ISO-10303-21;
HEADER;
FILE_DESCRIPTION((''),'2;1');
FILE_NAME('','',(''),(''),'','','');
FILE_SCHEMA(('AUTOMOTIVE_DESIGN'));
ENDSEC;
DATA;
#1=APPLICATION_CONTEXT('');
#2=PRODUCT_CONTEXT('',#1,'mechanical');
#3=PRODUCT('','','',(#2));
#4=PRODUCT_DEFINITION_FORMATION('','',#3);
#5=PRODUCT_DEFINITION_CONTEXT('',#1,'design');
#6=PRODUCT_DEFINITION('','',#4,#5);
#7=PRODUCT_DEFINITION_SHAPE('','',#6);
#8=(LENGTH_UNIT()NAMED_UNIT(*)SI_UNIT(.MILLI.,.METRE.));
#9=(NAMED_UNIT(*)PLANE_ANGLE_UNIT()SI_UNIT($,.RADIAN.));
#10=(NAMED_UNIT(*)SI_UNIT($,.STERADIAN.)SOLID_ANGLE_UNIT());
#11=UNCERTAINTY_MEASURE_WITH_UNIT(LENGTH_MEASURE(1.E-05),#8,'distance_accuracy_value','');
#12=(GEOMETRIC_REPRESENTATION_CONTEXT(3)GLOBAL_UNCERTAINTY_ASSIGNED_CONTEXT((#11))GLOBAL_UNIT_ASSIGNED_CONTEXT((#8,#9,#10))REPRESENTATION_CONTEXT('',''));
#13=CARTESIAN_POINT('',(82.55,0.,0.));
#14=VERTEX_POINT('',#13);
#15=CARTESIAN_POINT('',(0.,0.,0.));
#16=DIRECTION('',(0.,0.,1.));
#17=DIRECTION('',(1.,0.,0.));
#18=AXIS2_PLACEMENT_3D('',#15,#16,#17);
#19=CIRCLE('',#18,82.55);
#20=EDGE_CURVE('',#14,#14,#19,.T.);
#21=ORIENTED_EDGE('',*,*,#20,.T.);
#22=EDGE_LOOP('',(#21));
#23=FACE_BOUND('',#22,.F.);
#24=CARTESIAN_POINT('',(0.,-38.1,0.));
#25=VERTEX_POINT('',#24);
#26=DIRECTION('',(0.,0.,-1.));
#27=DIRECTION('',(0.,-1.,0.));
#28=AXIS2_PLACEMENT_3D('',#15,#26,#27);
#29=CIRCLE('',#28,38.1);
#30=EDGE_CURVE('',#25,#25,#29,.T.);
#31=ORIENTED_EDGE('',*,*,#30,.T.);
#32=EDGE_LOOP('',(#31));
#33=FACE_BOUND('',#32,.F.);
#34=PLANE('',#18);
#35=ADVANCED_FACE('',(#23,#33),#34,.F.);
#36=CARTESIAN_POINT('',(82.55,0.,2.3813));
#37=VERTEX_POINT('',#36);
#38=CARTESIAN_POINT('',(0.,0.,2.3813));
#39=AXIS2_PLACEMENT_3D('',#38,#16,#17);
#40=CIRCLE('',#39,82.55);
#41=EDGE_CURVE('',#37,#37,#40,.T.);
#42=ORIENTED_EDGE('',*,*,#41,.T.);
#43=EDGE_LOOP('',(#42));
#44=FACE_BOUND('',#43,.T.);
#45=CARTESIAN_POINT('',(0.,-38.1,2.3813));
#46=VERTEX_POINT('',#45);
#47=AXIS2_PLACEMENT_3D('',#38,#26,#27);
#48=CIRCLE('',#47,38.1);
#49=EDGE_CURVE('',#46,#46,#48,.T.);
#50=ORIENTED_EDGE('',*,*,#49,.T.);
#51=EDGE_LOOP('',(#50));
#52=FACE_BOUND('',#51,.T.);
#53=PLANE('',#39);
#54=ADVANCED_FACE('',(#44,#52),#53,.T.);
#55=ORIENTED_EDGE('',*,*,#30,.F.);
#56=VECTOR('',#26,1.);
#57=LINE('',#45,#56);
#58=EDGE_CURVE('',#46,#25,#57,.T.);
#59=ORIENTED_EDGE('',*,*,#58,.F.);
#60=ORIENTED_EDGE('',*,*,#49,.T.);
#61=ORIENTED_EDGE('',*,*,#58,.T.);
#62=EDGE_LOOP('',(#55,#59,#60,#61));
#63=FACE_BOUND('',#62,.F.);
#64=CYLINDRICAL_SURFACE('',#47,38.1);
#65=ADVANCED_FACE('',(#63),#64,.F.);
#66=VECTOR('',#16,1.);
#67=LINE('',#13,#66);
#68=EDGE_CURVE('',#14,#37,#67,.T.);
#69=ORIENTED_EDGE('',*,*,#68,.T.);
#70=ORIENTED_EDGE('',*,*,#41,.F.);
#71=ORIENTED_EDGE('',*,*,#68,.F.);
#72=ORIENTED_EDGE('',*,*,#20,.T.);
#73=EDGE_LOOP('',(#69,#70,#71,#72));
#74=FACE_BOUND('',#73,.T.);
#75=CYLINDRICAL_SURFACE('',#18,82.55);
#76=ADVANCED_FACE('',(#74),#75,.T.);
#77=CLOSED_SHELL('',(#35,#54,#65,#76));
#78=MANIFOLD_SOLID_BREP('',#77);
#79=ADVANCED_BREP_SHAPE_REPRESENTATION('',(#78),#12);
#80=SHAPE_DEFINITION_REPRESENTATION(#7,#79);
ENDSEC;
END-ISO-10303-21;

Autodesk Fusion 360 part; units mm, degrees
cylinder "CylinderPrimitive1" add diameter 165.1 height 2.3813 placed x (1, 0, 0) y (0, 1, 0) z (0, 0, 1) at (0, 0, 0)
hole "Hole1" at (0, 0, 2.3813) direction (0, 0, -1) diameter 76.2 depth 30.48 tip angle 118
equation "d1 = ( 1.5 / 16 ) * 1 in"
